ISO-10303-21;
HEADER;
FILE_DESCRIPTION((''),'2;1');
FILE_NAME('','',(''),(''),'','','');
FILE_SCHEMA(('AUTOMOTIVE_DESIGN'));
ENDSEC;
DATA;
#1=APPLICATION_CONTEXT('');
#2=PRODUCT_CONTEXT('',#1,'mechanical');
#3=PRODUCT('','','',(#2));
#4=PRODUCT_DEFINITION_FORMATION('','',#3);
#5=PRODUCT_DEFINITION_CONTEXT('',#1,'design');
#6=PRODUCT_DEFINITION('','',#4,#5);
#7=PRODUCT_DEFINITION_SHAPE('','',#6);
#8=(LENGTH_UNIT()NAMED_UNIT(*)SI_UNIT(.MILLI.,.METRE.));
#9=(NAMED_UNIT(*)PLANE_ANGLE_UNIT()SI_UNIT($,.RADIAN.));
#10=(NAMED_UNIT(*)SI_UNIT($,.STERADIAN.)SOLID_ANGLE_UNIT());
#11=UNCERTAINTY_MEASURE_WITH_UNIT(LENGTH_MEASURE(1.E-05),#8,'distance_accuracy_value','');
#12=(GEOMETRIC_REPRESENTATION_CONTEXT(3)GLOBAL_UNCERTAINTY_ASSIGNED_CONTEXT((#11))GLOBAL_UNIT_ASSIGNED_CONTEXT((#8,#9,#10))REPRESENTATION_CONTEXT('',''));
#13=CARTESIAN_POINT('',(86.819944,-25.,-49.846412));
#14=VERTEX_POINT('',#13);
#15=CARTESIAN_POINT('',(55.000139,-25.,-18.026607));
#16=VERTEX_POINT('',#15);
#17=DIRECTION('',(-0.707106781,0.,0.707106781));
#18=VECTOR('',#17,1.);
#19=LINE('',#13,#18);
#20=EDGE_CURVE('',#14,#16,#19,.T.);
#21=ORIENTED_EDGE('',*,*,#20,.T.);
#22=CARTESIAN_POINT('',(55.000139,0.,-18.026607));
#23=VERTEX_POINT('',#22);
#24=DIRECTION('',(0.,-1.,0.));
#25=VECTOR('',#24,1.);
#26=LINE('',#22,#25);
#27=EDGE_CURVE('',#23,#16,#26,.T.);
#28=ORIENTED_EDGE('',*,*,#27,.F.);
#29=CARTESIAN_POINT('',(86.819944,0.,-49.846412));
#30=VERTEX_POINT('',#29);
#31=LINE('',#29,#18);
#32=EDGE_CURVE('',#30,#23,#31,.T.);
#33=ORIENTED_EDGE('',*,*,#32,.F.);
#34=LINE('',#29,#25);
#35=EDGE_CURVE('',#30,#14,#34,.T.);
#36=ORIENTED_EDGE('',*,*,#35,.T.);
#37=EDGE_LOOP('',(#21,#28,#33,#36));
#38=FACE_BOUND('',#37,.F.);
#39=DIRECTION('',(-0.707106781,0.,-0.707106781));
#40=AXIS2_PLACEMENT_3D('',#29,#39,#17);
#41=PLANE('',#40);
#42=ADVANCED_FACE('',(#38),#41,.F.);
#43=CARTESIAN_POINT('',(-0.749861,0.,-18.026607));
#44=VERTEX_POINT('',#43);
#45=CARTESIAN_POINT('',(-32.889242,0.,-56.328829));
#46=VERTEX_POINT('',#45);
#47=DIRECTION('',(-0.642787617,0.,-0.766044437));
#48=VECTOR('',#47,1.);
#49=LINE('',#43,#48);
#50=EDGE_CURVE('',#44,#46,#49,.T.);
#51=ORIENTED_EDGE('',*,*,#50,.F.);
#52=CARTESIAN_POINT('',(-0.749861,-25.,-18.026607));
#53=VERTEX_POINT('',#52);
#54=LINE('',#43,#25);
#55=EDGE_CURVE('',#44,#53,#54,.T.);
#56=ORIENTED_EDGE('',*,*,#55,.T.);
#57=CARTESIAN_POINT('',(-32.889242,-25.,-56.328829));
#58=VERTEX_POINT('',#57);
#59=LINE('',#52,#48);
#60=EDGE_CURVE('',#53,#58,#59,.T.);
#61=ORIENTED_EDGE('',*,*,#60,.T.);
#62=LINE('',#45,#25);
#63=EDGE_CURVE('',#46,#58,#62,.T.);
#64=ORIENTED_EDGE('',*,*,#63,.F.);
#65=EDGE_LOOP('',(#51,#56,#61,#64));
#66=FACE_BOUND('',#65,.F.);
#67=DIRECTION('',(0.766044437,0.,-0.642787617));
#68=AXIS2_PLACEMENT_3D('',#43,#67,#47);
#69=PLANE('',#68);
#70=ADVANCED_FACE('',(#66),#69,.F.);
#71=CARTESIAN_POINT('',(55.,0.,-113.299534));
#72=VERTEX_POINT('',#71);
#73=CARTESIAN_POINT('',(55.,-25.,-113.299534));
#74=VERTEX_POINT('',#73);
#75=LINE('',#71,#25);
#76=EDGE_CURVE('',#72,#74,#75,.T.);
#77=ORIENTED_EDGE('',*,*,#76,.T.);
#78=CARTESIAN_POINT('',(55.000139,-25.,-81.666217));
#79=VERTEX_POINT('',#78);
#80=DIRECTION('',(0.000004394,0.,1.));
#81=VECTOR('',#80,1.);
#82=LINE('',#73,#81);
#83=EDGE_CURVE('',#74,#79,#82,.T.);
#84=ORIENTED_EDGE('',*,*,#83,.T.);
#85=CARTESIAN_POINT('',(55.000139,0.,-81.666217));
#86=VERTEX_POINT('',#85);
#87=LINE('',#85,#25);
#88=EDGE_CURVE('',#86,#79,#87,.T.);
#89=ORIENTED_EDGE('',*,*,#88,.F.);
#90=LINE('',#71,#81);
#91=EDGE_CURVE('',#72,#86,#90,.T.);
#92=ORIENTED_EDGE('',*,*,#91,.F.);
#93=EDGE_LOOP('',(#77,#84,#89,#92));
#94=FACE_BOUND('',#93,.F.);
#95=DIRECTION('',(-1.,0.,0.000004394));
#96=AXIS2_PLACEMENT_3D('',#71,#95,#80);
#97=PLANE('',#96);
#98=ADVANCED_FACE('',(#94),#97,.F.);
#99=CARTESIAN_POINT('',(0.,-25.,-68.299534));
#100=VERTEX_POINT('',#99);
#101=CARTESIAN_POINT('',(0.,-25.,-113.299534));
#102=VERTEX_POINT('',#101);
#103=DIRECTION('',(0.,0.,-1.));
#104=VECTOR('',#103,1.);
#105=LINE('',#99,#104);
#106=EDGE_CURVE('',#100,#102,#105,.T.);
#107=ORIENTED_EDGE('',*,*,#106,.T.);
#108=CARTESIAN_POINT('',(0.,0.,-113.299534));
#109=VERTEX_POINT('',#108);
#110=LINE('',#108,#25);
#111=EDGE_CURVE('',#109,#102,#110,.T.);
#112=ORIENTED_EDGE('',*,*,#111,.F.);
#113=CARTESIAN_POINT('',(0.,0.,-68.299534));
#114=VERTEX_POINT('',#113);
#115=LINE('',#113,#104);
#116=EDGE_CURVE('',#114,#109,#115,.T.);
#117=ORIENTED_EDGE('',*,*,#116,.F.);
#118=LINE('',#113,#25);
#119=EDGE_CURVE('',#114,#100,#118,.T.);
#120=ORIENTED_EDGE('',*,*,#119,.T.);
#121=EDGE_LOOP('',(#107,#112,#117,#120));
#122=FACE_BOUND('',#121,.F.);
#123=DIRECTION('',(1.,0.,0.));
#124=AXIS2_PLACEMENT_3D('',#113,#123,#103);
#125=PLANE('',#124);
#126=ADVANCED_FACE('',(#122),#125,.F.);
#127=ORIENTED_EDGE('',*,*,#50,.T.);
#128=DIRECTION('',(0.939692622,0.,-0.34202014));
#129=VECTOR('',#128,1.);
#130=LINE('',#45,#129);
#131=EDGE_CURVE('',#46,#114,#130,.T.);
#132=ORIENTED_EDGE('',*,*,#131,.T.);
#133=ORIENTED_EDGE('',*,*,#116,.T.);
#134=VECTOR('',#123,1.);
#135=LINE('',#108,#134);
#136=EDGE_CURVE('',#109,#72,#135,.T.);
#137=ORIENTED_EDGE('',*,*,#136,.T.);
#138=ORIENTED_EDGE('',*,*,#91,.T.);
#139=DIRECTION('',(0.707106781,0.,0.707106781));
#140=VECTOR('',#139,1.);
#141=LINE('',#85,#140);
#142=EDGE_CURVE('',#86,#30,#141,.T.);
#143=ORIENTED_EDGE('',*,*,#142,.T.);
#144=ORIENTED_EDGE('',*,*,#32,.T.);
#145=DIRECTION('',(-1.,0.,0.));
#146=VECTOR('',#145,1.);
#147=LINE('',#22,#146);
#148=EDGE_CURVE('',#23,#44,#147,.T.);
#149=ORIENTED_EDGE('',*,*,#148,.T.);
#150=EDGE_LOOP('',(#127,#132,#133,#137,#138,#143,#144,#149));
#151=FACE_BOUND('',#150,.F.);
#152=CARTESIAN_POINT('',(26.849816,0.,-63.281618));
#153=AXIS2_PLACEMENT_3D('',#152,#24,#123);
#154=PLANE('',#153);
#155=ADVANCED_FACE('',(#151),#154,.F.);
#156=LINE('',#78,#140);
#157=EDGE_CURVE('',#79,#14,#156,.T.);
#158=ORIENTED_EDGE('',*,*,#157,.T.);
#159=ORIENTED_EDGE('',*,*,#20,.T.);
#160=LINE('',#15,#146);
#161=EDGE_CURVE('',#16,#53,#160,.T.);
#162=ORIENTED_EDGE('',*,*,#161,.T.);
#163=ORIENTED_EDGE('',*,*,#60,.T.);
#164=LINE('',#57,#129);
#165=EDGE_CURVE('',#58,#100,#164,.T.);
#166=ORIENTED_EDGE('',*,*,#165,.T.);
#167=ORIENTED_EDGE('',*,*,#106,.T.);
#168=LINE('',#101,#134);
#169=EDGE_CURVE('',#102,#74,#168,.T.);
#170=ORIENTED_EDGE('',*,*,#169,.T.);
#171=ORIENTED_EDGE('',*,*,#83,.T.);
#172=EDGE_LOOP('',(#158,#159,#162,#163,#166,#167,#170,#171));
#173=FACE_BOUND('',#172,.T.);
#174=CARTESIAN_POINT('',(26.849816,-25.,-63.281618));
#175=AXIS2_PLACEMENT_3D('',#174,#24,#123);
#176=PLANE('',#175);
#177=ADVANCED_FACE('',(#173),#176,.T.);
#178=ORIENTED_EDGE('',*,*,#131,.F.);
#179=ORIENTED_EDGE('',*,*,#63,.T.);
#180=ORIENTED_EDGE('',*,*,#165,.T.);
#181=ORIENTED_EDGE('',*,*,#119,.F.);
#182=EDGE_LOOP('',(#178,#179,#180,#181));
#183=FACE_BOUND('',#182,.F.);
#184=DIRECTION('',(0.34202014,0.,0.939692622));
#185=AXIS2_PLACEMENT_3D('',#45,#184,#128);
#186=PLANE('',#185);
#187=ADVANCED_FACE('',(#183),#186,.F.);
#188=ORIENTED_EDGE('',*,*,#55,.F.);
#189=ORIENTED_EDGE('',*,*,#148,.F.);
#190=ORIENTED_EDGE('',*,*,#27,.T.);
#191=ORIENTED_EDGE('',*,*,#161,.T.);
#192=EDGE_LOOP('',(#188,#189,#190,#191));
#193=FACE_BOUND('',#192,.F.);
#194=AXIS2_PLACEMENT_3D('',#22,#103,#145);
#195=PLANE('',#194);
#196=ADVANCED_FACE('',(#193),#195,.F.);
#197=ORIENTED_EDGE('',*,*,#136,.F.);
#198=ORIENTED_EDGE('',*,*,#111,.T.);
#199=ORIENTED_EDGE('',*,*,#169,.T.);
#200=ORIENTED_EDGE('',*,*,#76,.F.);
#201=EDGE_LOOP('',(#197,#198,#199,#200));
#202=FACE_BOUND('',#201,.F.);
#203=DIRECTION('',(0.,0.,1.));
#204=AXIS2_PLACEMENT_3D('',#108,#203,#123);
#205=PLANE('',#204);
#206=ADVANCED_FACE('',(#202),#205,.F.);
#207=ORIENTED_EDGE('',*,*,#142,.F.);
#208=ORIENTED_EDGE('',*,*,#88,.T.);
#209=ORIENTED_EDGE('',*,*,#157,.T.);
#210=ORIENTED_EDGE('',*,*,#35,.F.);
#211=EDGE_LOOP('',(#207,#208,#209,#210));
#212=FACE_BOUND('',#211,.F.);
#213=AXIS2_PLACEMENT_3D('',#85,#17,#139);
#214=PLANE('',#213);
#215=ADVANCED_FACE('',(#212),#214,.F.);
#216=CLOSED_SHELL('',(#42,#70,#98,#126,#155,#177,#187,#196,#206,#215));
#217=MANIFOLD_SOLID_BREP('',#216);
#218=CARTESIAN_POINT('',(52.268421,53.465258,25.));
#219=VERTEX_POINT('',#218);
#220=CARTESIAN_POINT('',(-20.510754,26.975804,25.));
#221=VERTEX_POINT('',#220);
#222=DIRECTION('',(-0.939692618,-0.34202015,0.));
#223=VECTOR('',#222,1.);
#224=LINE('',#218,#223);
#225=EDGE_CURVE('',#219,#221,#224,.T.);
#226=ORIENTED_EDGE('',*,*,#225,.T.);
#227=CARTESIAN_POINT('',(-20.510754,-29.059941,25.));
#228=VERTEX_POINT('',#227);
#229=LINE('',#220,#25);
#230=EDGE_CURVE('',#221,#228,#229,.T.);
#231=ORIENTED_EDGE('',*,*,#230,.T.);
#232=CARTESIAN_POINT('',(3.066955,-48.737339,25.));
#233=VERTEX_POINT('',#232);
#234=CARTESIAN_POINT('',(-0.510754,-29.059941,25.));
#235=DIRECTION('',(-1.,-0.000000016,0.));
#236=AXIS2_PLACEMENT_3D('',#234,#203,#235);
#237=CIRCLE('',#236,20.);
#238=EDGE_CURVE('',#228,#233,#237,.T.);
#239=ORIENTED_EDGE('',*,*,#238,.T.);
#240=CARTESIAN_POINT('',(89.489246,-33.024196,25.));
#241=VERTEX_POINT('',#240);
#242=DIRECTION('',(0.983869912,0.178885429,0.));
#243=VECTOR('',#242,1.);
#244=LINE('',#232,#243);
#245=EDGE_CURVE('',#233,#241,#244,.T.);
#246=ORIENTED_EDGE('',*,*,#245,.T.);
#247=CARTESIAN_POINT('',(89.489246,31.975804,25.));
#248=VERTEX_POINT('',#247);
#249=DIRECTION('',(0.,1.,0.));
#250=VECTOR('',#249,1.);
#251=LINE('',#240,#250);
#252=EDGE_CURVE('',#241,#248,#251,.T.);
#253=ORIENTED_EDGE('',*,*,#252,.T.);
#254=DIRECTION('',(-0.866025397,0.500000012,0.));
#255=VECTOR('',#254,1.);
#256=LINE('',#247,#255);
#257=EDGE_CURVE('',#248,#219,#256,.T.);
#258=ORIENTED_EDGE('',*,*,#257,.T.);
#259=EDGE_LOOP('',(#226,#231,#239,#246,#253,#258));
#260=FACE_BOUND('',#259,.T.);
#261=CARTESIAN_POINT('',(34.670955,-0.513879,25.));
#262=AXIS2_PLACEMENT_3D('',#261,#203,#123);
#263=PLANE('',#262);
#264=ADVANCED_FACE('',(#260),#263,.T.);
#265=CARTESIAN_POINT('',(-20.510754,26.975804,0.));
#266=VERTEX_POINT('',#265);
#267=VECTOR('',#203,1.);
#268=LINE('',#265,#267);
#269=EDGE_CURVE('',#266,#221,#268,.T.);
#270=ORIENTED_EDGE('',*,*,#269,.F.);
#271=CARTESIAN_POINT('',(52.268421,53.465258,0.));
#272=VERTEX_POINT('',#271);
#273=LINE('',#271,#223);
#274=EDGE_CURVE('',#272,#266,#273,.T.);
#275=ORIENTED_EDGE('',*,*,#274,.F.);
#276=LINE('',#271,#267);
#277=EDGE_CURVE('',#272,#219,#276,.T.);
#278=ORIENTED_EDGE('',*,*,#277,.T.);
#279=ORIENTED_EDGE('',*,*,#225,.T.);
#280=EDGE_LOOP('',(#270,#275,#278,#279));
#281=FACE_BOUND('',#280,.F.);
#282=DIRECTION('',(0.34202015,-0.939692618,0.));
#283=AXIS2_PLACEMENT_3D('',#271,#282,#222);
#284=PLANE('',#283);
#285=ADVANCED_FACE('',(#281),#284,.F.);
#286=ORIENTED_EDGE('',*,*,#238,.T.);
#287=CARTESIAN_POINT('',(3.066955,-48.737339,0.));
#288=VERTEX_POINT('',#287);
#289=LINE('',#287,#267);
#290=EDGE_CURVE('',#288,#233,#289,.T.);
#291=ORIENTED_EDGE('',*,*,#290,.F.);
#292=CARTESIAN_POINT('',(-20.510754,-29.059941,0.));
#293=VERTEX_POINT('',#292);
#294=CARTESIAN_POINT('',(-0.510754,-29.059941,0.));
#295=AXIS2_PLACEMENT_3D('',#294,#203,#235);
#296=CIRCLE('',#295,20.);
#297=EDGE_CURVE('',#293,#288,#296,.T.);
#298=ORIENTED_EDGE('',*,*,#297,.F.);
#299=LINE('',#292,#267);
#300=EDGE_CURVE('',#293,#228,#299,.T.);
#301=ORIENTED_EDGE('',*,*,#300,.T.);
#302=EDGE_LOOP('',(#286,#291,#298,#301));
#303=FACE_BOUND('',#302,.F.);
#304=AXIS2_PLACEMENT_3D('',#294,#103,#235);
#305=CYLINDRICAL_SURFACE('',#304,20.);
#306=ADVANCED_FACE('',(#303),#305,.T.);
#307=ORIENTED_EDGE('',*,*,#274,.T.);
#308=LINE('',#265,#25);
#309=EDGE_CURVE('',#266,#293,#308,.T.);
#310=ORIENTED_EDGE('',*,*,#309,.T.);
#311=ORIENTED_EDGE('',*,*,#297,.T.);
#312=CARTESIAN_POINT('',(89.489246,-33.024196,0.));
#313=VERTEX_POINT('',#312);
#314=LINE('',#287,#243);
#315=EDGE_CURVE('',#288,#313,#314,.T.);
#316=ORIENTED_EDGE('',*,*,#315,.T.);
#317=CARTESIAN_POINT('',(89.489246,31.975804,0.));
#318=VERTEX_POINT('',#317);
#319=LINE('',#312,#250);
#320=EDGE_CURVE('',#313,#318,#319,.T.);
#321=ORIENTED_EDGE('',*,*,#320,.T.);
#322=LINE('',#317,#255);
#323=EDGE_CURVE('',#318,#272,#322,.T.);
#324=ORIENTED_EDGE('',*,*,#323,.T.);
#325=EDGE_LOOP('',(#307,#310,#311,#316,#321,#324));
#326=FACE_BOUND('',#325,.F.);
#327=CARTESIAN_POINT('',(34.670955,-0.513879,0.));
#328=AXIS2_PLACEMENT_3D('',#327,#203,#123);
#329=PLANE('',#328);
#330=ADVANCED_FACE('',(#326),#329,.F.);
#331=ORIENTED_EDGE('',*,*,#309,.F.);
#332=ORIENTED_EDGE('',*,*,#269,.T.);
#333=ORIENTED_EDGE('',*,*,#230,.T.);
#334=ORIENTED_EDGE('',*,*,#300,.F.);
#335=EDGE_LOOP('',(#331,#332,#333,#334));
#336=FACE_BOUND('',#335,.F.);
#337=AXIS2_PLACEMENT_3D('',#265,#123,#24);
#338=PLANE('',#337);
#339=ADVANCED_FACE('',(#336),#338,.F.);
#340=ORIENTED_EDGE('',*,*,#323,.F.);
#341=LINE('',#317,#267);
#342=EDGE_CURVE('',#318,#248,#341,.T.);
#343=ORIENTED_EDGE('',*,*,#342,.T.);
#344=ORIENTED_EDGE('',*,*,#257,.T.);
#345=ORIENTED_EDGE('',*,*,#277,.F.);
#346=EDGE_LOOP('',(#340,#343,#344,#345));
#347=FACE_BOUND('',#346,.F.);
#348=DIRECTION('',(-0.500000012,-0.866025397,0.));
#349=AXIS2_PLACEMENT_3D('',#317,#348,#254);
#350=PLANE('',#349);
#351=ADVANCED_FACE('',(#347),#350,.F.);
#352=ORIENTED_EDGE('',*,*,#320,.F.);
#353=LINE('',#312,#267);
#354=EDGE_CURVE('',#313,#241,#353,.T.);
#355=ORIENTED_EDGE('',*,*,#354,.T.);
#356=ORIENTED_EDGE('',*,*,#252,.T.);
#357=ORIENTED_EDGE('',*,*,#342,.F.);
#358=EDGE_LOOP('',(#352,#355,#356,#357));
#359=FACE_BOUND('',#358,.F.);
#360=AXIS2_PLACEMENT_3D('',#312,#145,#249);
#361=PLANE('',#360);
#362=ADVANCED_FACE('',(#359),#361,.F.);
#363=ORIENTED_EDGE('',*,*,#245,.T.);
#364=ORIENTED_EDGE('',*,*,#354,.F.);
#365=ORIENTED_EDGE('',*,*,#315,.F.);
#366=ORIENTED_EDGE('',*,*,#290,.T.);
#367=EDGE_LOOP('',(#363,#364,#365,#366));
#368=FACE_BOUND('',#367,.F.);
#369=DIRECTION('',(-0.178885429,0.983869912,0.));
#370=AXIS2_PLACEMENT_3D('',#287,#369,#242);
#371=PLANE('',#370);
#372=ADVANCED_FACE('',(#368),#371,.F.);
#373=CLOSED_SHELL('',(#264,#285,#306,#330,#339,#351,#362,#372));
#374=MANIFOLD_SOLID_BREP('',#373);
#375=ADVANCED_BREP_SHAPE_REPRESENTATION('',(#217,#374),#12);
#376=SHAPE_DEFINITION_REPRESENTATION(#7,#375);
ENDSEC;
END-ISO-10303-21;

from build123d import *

# Parameters (mm, degrees)
F1_DEPTH = 25
F3_DEPTH = 25


with BuildPart() as f1:
    # F0 (on Top) → F1 (new body)
    with BuildSketch(Plane.XY):
        with BuildLine():
            Line((89.489246, -33.024196), (89.489246, 31.975804))
            Line((89.489246, 31.975804), (52.268421, 53.465258))
            Line((52.268421, 53.465258), (-20.510754, 26.975804))
            Line((-20.510754, 26.975804), (-20.510754, -29.059941))
            ThreePointArc((-20.510754, -29.059941), (-13.325702, -44.414976), (3.066955, -48.737339))
            Line((3.066955, -48.737339), (89.489246, -33.024196))
        make_face()
    extrude(amount=F1_DEPTH)


with BuildPart() as f3:
    # F2 (on Front) → F3 (new body)
    with BuildSketch(Plane.XZ):
        Polygon((0, -113.299534), (55, -113.299534), (55.000139, -81.666217), (86.819944, -49.846412), (55.000139, -18.026607), (-0.749861, -18.026607), (-32.889242, -56.328829), (0, -68.299534), align=None)
    extrude(amount=F3_DEPTH)


solid = Compound([f1.part, f3.part])
